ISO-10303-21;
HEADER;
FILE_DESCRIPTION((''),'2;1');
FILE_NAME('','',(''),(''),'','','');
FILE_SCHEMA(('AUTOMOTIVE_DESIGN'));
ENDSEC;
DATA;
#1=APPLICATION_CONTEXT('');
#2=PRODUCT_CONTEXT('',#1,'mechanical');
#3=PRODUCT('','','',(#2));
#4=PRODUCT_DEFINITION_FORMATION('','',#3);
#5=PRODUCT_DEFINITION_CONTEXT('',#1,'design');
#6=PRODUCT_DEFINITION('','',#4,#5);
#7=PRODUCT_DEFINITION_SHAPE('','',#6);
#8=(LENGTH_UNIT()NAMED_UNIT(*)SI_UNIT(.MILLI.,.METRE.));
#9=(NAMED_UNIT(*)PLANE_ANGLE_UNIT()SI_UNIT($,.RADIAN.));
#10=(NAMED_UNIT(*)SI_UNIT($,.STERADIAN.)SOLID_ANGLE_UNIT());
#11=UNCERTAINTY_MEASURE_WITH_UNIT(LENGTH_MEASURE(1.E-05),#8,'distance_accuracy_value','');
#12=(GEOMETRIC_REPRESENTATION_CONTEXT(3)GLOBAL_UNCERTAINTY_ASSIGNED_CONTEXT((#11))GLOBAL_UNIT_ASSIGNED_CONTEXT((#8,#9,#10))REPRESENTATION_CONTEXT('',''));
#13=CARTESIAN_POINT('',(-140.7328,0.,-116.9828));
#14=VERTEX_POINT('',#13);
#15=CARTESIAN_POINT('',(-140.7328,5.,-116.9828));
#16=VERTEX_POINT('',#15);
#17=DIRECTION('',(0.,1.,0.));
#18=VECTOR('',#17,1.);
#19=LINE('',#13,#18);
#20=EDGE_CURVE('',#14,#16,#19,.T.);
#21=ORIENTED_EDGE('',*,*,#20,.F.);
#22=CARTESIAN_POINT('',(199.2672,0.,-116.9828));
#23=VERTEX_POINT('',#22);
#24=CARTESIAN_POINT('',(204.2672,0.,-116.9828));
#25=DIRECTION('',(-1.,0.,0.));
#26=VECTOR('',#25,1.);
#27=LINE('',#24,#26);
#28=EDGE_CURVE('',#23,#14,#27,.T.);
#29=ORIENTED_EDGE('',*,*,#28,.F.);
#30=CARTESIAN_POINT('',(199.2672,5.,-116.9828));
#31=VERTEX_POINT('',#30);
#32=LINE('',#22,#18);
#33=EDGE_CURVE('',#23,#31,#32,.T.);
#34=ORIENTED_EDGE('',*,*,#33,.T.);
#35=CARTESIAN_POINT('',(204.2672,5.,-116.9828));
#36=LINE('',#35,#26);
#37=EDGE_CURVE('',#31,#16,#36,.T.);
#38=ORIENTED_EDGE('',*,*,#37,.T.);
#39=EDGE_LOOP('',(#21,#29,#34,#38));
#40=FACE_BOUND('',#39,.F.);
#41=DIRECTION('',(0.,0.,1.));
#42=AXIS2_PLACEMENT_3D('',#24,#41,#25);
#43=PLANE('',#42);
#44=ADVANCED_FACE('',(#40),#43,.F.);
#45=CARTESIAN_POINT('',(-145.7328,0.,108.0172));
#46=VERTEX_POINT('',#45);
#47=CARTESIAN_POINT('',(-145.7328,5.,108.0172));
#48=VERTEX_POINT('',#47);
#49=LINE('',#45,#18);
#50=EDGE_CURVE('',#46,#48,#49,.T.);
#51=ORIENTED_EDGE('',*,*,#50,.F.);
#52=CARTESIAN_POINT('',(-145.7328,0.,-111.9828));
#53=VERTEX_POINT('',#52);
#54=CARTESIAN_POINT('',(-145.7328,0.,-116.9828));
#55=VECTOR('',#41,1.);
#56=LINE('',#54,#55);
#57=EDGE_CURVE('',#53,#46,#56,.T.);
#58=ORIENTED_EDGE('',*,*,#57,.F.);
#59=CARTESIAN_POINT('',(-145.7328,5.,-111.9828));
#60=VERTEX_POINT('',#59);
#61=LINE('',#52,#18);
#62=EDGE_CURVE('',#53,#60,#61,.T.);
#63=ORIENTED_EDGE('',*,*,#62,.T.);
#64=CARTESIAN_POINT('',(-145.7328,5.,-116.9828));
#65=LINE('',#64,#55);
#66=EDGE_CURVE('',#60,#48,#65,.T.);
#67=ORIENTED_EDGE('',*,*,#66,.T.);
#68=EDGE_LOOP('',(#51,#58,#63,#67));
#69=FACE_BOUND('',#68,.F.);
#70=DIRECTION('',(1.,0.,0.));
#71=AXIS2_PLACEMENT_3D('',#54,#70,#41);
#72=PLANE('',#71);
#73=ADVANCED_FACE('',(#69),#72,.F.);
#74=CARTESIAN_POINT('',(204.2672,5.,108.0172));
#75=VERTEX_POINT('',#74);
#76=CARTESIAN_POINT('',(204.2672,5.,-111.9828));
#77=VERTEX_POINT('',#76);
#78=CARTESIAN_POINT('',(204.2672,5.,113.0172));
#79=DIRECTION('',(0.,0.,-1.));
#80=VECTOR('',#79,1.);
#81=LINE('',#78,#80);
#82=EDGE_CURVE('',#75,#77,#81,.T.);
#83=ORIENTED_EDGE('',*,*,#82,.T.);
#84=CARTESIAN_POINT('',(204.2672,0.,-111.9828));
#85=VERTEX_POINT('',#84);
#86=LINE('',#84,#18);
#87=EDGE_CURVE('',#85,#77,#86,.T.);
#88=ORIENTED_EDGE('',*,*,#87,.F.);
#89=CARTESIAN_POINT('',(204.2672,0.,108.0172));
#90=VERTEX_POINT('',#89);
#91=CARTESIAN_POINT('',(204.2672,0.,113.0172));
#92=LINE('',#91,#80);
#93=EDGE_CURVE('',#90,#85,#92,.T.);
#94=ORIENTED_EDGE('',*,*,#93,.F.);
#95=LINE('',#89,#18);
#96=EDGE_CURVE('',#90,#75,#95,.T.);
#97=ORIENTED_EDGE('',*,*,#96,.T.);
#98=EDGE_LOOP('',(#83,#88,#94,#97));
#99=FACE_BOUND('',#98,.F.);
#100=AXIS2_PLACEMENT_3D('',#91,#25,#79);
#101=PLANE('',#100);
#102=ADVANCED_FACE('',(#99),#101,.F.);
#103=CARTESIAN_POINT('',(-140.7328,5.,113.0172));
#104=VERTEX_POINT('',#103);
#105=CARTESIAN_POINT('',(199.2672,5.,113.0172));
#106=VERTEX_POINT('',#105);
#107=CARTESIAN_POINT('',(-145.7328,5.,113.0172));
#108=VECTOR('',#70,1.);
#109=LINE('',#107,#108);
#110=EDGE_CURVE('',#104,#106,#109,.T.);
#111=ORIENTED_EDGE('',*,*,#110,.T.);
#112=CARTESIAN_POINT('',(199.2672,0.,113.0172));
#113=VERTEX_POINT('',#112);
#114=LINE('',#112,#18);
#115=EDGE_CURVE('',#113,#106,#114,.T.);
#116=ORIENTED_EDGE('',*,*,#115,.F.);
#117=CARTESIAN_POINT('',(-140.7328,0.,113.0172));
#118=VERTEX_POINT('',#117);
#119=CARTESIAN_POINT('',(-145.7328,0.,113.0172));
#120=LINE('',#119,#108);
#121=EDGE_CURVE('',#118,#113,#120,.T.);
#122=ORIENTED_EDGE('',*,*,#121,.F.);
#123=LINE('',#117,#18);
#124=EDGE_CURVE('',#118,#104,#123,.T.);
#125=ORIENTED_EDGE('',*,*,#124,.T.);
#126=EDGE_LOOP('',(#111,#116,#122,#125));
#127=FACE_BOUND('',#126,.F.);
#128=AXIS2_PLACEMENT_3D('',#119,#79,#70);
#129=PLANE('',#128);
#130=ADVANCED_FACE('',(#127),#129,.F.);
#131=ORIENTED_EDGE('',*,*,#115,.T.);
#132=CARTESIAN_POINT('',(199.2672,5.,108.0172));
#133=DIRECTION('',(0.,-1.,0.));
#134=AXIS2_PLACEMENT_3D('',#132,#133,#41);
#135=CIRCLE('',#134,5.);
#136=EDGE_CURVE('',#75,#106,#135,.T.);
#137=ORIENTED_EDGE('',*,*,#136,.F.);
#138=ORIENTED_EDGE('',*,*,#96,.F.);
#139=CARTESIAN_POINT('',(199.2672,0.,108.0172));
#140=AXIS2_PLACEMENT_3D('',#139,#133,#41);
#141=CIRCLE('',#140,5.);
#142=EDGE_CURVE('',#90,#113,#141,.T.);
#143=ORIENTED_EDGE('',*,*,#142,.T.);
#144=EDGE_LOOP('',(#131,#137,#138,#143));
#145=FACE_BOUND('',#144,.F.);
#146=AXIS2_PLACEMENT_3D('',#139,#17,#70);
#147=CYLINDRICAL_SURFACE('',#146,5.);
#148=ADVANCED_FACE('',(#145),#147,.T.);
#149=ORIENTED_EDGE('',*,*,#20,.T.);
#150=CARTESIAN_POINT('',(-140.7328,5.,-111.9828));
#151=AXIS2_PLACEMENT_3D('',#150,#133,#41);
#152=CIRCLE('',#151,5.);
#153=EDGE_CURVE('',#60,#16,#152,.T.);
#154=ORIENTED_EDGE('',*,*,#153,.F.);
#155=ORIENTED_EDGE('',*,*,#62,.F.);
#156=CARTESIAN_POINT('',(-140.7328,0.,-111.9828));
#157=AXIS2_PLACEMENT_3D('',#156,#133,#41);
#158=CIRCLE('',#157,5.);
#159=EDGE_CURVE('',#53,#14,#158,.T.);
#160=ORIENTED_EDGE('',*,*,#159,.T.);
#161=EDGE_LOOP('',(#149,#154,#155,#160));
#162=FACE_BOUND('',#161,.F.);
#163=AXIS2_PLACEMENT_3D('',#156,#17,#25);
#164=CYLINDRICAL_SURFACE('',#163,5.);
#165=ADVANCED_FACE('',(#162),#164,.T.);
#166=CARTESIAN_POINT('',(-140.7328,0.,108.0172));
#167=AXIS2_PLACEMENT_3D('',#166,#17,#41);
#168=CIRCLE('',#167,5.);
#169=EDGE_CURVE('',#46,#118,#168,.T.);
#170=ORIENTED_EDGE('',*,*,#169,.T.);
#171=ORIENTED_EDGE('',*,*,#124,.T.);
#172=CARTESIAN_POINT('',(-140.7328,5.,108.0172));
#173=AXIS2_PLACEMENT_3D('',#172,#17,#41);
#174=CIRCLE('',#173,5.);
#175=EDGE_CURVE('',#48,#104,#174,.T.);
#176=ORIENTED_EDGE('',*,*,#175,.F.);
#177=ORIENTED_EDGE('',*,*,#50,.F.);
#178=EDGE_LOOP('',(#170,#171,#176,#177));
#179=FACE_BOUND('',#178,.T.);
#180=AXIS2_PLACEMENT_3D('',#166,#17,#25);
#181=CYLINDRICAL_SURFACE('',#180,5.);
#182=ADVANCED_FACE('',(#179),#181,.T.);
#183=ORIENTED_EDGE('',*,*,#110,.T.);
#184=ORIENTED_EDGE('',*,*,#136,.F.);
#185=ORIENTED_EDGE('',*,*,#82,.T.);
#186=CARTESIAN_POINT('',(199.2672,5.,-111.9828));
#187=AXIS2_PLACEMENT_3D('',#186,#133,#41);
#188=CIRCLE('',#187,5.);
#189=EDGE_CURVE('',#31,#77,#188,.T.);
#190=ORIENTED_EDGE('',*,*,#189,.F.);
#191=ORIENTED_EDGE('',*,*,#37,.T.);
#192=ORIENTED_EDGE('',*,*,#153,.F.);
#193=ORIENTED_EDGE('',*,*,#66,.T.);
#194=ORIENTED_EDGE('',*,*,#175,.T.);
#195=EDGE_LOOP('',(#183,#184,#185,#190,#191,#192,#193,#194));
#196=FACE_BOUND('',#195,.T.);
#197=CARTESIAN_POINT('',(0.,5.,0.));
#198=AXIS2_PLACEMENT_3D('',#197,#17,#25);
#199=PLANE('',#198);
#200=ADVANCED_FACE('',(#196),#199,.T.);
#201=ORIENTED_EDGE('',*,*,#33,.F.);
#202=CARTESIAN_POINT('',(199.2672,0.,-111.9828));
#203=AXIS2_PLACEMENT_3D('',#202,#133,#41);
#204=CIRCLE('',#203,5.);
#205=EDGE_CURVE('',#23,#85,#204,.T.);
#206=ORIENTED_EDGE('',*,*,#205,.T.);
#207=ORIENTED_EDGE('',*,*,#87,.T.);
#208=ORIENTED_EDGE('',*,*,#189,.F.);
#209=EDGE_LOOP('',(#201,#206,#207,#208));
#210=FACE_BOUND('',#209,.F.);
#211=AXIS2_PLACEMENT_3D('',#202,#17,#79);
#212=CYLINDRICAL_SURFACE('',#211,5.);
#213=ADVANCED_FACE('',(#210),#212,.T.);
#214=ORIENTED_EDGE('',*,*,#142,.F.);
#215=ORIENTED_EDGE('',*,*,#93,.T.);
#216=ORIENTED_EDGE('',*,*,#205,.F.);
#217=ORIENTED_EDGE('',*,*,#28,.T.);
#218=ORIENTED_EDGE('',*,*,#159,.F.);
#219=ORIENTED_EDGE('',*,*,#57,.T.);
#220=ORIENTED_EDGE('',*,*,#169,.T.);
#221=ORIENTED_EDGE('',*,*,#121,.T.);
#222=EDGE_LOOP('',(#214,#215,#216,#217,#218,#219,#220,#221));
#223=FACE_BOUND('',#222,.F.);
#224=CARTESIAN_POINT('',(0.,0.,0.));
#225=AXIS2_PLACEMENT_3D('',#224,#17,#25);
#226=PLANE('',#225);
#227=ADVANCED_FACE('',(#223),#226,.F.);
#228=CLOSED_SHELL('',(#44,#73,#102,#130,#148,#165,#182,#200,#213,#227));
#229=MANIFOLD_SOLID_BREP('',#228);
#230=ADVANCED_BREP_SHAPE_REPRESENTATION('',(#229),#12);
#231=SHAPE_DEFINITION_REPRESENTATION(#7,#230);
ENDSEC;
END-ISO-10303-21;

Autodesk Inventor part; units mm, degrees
ref_plane "YZ Plane" through (0, 0, 0) normal (1, 0, 0) x (0, 1, 0)
ref_plane "XZ Plane" through (0, 0, 0) normal (0, 1, 0) x (-1, 0, 0)
ref_plane "XY Plane" through (0, 0, 0) normal (0, 0, 1) x (1, 0, 0)
sketch "Sketch1" plane through (0, 0, 0) normal (0, 1, 0) x (-1, 0, 0)
  line L0 (145.7328, 113.0172) -> (-204.2672, 113.0172)
  line L1 (-204.2672, 113.0172) -> (-204.2672, -116.9828)
  line L2 (-204.2672, -116.9828) -> (145.7328, -116.9828)
  line L3 (145.7328, -116.9828) -> (145.7328, 113.0172)
  point P0 (0, 0)
  dimension "d0" = 230
  dimension "d1" = 350
extrude "Extrusion1" add sketch "Sketch1" along normal blind 5
fillet "Fillet1" radius 5 4 edges at (204.2672, 2.5, 113.0172) (-145.7328, 2.5, 113.0172) (204.2672, 2.5, -116.9828) (-145.7328, 2.5, -116.9828)
properties part number "Paper-holder"
